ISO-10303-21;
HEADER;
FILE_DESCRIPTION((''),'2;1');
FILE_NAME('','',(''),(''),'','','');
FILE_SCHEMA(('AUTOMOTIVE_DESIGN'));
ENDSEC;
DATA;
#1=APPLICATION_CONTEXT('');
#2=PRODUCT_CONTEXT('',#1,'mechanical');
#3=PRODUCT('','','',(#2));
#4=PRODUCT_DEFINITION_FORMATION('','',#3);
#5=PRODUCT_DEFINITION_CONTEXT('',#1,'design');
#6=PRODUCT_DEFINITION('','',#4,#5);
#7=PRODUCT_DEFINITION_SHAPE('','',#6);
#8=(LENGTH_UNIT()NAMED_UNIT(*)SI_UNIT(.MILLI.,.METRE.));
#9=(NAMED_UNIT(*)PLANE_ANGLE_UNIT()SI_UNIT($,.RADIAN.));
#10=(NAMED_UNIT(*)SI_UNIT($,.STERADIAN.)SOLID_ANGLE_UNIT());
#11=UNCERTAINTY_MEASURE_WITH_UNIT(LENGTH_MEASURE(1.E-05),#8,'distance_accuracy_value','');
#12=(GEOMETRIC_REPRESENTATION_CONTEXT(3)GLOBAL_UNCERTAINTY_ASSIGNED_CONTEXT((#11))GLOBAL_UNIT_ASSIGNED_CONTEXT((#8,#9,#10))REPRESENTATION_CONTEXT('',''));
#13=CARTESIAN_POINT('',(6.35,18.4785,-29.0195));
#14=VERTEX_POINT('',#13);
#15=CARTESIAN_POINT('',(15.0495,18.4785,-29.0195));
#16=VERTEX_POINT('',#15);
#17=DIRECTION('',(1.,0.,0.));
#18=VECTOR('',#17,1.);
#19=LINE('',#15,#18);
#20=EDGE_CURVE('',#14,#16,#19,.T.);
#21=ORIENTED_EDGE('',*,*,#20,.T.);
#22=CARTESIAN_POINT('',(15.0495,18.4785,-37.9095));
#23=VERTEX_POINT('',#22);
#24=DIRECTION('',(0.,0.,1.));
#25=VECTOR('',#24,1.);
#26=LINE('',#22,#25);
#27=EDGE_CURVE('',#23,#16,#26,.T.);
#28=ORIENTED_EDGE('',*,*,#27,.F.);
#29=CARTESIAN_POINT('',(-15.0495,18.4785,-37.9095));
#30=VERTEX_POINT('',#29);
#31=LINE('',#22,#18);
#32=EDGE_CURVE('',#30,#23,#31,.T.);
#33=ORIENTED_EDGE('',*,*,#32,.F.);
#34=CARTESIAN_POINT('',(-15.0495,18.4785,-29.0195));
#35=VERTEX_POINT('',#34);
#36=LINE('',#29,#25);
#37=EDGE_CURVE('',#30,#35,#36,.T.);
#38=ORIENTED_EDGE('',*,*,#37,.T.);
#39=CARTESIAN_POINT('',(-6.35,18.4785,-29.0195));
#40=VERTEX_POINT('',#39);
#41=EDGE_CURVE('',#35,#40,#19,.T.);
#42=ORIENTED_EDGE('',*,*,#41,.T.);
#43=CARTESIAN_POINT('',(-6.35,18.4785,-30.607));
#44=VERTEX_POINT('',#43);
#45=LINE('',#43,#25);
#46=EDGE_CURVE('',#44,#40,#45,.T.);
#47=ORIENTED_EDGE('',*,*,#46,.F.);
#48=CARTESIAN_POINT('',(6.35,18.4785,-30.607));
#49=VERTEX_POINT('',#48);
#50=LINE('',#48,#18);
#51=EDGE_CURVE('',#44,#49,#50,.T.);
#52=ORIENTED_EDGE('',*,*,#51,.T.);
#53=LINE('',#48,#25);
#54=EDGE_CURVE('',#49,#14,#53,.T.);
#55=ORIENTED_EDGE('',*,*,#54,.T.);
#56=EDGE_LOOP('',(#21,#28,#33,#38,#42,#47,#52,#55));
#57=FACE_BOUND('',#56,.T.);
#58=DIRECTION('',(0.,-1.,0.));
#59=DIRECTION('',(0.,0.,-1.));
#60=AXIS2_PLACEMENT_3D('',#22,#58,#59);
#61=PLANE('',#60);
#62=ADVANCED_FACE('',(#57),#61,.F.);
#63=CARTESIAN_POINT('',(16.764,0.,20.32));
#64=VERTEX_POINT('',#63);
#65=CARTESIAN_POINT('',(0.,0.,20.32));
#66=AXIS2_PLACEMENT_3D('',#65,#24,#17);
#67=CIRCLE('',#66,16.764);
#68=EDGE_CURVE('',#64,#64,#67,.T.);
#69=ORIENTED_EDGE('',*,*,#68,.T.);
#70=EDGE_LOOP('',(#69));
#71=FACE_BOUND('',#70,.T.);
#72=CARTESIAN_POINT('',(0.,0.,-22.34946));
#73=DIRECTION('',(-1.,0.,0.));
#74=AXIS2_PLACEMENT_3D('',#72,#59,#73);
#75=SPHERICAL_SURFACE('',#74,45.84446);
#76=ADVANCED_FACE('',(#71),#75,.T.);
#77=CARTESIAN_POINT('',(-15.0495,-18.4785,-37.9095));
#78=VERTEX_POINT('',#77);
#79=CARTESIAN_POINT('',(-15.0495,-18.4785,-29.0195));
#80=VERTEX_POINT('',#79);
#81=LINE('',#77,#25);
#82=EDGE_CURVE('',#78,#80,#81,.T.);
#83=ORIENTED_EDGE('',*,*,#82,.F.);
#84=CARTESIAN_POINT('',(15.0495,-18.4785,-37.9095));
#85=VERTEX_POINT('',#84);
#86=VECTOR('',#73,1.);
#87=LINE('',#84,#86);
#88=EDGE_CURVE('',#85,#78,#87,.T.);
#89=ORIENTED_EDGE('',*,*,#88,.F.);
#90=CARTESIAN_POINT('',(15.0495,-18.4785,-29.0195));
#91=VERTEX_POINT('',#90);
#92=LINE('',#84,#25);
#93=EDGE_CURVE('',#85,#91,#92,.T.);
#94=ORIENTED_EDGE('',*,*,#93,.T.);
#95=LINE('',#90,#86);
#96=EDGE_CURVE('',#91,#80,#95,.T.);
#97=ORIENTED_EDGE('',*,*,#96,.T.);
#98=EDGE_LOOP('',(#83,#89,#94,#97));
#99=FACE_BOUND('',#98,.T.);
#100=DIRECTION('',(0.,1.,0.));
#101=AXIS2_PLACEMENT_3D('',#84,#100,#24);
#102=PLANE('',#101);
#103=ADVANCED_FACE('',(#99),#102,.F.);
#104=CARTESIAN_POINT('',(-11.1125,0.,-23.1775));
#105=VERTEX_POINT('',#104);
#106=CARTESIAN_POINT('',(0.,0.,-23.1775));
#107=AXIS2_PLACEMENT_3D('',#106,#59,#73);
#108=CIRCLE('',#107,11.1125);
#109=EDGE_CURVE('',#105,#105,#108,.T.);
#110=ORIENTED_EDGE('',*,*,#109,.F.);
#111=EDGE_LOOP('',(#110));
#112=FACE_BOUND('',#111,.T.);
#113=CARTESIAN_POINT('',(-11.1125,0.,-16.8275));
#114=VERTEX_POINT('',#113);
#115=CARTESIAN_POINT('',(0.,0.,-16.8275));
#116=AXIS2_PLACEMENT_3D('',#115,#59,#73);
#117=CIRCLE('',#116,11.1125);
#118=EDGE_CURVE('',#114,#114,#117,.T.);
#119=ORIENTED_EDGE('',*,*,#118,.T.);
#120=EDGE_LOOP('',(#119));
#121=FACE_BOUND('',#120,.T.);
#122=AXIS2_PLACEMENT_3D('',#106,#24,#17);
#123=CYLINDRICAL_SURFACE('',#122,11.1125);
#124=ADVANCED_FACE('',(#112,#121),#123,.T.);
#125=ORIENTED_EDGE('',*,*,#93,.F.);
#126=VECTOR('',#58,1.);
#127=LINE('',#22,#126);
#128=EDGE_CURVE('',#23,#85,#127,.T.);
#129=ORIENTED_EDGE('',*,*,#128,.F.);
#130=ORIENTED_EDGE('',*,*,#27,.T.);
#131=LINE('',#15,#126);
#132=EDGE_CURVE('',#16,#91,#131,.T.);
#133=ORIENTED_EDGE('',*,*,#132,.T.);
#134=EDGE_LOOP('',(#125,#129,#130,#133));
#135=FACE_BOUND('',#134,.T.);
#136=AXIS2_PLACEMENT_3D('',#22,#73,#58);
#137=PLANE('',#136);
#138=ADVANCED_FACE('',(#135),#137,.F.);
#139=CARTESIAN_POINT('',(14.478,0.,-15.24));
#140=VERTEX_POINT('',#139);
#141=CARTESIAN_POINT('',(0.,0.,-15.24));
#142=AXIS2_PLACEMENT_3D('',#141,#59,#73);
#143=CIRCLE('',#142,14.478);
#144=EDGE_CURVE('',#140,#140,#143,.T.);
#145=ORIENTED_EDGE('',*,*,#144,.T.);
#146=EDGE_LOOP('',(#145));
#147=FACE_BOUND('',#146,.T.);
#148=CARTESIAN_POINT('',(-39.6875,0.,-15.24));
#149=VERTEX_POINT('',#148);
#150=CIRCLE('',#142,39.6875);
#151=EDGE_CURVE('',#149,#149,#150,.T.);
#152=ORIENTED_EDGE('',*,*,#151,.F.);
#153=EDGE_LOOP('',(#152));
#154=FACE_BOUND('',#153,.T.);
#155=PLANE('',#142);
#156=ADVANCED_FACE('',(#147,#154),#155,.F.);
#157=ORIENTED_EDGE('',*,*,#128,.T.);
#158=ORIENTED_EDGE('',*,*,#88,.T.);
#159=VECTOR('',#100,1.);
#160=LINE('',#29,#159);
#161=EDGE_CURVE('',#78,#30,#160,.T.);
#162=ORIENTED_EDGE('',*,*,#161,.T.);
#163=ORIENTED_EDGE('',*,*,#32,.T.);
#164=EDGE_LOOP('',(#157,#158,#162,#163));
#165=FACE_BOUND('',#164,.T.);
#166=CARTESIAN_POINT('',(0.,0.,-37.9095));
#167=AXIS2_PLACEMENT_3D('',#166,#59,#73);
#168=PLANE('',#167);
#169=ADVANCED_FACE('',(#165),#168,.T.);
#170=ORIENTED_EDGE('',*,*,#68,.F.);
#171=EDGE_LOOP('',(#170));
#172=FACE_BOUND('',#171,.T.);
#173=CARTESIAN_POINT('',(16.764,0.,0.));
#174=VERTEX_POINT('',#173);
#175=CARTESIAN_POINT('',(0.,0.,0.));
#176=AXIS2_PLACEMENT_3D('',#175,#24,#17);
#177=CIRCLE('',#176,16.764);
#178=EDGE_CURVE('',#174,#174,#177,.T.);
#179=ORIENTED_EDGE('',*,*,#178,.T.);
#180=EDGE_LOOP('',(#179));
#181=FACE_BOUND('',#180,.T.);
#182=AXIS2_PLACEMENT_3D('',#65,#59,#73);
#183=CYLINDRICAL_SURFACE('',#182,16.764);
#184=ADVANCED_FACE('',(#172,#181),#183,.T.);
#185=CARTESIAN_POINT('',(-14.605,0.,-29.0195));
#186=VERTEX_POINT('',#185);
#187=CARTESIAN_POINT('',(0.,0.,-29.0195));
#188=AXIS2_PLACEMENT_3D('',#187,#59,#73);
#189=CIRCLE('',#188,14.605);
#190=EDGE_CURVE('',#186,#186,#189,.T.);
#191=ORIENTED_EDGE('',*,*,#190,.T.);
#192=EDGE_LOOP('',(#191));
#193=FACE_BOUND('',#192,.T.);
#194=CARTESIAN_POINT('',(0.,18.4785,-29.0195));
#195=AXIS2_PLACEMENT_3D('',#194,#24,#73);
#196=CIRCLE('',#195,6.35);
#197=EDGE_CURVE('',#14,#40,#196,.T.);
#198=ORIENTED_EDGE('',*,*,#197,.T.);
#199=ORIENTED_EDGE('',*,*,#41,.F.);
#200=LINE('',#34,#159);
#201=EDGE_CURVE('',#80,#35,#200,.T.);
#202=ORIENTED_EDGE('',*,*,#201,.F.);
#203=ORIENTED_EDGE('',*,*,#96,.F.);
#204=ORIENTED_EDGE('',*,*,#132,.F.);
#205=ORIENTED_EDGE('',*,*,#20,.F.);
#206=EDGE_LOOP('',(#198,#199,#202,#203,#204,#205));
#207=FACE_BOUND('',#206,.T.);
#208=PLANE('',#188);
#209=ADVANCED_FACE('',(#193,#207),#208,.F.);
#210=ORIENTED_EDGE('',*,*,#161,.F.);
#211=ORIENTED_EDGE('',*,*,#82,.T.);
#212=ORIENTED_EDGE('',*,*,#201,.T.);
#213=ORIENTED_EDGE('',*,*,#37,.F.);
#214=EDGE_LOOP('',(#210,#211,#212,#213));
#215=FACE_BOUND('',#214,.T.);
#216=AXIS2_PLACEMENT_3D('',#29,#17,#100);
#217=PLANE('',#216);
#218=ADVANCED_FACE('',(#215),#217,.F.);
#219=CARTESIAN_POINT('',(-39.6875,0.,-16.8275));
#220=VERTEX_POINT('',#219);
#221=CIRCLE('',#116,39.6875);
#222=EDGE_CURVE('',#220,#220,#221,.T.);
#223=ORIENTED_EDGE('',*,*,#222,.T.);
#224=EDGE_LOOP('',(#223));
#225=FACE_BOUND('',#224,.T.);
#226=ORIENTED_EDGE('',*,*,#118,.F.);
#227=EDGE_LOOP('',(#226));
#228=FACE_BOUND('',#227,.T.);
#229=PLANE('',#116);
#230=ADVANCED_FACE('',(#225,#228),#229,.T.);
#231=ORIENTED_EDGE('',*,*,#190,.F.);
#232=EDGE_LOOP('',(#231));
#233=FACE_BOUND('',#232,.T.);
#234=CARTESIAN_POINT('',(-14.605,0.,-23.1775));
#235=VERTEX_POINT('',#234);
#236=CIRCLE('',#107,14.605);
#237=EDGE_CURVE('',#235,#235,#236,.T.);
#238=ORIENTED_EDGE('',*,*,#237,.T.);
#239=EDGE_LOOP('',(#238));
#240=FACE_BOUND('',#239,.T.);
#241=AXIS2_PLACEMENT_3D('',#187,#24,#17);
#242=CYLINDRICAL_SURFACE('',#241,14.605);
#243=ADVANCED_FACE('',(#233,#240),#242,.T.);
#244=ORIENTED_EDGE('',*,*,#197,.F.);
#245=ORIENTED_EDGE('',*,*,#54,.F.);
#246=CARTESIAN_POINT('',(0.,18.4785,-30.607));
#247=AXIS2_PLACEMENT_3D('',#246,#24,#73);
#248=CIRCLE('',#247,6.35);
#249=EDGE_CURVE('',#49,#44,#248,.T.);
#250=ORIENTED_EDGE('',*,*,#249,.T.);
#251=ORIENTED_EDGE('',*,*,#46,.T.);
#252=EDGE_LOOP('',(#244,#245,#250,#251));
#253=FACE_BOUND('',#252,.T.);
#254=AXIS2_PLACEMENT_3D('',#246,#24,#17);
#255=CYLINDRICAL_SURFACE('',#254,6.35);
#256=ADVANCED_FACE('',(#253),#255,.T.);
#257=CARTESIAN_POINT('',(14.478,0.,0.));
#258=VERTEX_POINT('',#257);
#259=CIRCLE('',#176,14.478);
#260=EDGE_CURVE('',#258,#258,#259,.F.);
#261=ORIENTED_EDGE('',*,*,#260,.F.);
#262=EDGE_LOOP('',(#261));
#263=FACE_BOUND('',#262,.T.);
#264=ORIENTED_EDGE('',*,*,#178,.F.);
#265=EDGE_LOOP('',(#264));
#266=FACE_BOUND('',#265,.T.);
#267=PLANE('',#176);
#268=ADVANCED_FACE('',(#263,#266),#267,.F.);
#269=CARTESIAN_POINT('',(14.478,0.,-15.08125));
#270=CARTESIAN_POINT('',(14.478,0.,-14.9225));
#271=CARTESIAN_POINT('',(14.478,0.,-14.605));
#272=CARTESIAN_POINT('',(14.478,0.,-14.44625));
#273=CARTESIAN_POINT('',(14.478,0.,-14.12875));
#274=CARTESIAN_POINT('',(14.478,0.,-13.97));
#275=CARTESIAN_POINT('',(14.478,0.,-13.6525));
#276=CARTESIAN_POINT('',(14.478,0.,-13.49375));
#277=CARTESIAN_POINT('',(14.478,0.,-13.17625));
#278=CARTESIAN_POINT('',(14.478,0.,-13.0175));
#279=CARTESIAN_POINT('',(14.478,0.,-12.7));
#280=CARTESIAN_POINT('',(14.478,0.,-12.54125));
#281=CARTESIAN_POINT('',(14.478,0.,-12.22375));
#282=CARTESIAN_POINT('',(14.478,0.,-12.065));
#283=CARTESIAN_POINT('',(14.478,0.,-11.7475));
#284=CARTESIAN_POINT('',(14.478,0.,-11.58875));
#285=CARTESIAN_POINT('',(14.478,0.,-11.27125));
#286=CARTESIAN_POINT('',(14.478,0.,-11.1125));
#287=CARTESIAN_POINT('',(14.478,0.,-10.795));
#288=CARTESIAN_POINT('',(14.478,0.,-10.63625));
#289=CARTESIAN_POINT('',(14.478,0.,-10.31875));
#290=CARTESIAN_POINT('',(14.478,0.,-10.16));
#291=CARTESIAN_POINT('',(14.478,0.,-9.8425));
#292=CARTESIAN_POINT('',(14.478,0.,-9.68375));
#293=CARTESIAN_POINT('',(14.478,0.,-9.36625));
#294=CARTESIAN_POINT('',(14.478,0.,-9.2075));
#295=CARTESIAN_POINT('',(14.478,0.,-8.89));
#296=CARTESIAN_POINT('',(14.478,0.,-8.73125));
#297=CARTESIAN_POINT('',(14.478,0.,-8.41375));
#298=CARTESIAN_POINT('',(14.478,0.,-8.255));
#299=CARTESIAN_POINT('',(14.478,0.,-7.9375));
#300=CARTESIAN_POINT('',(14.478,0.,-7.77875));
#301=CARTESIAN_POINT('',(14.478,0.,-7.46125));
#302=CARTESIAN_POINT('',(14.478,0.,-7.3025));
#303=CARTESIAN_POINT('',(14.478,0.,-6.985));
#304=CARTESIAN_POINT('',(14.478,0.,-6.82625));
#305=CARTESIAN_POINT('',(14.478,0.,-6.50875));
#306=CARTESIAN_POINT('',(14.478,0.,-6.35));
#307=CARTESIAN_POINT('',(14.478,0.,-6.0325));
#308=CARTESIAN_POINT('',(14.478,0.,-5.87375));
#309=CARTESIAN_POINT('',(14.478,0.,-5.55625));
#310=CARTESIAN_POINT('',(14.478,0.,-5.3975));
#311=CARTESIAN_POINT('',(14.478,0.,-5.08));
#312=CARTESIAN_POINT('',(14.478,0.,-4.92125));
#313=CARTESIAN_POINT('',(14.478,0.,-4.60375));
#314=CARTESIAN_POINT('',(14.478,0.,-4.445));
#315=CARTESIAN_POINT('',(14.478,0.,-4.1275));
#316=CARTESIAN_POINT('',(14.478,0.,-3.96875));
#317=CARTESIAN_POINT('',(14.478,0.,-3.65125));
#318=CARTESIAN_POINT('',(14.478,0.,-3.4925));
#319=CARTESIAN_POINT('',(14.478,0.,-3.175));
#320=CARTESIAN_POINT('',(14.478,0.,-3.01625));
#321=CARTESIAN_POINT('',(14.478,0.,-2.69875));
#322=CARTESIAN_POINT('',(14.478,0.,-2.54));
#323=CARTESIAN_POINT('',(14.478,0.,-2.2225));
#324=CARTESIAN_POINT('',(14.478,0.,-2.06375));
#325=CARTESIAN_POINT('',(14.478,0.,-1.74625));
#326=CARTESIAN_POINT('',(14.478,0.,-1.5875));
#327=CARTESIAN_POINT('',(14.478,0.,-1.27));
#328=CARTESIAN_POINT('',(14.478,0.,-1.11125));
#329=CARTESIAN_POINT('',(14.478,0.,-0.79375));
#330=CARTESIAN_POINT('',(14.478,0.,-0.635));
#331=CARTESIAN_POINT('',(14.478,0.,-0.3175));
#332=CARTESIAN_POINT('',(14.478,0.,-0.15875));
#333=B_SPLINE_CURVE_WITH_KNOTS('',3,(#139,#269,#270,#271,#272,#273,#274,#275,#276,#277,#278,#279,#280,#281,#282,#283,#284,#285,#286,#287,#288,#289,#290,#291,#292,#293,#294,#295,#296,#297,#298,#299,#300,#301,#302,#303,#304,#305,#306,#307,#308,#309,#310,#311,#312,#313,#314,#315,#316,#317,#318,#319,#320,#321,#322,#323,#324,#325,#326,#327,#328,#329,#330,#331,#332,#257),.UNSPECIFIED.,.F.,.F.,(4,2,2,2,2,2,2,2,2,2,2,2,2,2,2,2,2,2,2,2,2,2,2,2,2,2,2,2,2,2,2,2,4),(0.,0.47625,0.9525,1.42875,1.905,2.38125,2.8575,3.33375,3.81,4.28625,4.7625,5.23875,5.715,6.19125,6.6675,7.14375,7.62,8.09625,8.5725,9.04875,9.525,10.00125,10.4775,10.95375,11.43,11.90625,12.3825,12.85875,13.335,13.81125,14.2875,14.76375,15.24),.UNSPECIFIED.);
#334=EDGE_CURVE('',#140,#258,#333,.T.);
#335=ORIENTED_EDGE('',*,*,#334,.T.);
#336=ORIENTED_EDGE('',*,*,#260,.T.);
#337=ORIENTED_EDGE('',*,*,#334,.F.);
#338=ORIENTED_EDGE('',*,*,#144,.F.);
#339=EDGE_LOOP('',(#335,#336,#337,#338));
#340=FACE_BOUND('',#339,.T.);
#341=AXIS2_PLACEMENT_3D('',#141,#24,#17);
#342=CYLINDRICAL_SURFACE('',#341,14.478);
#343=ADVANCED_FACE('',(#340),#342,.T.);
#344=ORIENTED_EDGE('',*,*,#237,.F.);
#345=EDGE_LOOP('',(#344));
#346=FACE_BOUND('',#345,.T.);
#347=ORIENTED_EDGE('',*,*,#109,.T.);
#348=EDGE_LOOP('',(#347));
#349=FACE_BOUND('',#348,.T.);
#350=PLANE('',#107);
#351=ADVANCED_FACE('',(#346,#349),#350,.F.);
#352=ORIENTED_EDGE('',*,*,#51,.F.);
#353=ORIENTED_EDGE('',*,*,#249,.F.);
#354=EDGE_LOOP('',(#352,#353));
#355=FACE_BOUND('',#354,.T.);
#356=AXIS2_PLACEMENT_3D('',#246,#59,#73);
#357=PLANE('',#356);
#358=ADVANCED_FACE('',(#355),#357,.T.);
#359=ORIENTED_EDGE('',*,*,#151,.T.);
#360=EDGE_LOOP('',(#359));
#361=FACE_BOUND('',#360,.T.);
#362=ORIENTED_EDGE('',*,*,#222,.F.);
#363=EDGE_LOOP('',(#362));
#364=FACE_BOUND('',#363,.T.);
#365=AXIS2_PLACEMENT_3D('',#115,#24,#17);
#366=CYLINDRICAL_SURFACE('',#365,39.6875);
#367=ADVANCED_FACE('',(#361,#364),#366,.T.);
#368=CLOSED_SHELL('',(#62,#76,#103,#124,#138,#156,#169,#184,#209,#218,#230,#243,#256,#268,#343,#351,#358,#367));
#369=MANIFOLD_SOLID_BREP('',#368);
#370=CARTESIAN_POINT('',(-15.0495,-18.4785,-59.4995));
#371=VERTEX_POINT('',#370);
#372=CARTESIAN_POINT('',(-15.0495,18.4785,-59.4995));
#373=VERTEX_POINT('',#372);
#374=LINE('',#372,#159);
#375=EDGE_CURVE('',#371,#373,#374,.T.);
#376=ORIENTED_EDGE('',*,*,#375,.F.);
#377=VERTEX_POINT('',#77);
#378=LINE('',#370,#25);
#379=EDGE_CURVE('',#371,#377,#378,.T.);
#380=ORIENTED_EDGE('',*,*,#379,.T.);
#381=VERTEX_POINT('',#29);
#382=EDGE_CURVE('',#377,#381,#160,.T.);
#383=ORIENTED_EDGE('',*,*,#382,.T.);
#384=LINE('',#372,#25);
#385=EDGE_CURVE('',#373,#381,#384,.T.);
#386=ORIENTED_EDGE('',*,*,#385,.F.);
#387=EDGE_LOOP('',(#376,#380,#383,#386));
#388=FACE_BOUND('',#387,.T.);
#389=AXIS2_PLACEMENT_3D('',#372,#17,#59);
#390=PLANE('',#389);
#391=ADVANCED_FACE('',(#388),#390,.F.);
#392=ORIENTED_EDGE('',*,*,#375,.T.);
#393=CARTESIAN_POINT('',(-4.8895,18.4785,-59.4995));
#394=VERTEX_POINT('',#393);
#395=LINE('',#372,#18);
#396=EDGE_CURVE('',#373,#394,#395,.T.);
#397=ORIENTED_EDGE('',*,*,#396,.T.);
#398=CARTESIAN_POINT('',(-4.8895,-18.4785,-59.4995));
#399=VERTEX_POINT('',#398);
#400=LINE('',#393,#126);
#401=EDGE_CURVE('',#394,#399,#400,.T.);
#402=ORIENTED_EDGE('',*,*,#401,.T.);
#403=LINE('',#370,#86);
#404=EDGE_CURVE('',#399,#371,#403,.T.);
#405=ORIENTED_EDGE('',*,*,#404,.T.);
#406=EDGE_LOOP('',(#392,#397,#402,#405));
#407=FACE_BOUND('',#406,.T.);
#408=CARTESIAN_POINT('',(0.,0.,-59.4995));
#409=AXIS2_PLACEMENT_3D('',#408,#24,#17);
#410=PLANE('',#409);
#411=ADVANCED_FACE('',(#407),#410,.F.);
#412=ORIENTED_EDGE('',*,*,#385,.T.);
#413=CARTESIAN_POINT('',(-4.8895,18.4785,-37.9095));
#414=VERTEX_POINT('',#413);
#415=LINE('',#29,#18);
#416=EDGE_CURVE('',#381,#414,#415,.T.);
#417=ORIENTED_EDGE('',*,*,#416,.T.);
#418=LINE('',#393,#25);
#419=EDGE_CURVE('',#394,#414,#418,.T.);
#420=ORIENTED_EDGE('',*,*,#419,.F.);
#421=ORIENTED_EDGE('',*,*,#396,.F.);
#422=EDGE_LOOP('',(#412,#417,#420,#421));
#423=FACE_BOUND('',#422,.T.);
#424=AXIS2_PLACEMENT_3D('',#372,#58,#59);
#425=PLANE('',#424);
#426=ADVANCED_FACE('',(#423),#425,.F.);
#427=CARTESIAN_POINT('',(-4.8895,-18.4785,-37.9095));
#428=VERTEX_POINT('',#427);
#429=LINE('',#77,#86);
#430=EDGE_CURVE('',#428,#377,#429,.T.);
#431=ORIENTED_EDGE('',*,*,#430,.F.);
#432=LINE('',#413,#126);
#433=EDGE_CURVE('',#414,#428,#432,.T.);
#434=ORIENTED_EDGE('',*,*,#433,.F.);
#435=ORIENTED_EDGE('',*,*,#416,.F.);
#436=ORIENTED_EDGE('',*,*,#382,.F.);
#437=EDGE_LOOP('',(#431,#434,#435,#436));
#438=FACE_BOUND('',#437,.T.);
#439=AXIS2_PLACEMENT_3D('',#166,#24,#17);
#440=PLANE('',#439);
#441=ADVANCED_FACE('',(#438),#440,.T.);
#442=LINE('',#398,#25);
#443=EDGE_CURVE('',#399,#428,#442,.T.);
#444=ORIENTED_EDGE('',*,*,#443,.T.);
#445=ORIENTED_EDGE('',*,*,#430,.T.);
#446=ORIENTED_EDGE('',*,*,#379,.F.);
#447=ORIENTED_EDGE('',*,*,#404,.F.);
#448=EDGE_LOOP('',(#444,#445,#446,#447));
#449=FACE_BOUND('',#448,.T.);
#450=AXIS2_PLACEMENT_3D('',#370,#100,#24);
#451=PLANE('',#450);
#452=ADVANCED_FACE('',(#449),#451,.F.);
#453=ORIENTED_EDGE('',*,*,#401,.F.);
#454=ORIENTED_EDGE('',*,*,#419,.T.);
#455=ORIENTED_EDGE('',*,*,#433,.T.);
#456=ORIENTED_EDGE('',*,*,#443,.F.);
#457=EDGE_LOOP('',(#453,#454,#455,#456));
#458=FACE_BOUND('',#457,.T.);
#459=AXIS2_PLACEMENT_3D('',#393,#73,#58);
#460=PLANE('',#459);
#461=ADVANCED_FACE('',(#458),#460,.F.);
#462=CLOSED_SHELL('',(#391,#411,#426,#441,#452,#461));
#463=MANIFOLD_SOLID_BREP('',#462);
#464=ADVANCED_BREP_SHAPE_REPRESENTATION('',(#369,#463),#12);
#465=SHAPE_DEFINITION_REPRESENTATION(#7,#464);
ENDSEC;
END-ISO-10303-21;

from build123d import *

# Parameters (mm, degrees)
SKETCH1_R           = 16.764
BOSS_EXTRUDE1_DEPTH = 20.32
SKETCH3_R           = 14.478
BOSS_EXTRUDE2_DEPTH = 15.24
SKETCH5_R           = 39.6875
BOSS_EXTRUDE4_DEPTH = 1.5875
SKETCH6_R           = 11.1125
BOSS_EXTRUDE5_DEPTH = 6.35
SKETCH7_R           = 14.605
BOSS_EXTRUDE6_DEPTH = 5.842
SKETCH8_W           = 30.099
SKETCH8_H           = 36.957
BOSS_EXTRUDE7_DEPTH = 8.89
BOSS_EXTRUDE8_DEPTH = 1.5875
SKETCH10_W          = 10.16
SKETCH10_H          = 36.957
BOSS_EXTRUDE9_DEPTH = 21.59


with BuildPart() as part:
    # Sketch1 → Boss-Extrude1 (new body)
    with BuildSketch(Plane.XY):
        Circle(SKETCH1_R)
    extrude(amount=BOSS_EXTRUDE1_DEPTH)

    # Sketch2 → Revolve1 (revolve)
    with BuildSketch(Plane(origin=(0, 0, 0), x_dir=(1, 0, 0), z_dir=(0, 1, 0)), mode=Mode.PRIVATE) as revolve1_sk:
        with BuildLine():
            Line((0, -20.32), (16.764, -20.32))
            ThreePointArc((16.764, -20.32), (8.531006989, -22.694256903), (0, -23.495))
            Line((0, -23.495), (0, -20.32))
        make_face()
    revolve(revolve1_sk.sketch.rotate(Axis((0, 0, 17.056334056), (0, 0, 1)), 180), axis=Axis((0, 0, 17.056334056), (0, 0, 1)))

    # Sketch3 → Boss-Extrude2 (add)
    with BuildSketch(Plane(origin=(0, 0, 0), x_dir=(-1, 0, 0), z_dir=(0, 0, -1))):
        with Locations(Location((0, 0, 0), (0, 0, 180))):
            Circle(SKETCH3_R)
    extrude(amount=BOSS_EXTRUDE2_DEPTH)

    # Sketch5 → Boss-Extrude4 (add)
    with BuildSketch(Plane(origin=(0, 0, -15.24), x_dir=(-1, 0, 0), z_dir=(0, 0, -1))):
        Circle(SKETCH5_R)
    extrude(amount=BOSS_EXTRUDE4_DEPTH)

    # Sketch6 → Boss-Extrude5 (add)
    with BuildSketch(Plane(origin=(0, 0, -16.8275), x_dir=(-1, 0, 0), z_dir=(0, 0, -1))):
        Circle(SKETCH6_R)
    extrude(amount=BOSS_EXTRUDE5_DEPTH)

    # Sketch7 → Boss-Extrude6 (add)
    with BuildSketch(Plane(origin=(0, 0, -23.1775), x_dir=(-1, 0, 0), z_dir=(0, 0, -1))):
        Circle(SKETCH7_R)
    extrude(amount=BOSS_EXTRUDE6_DEPTH)

    # Sketch8 → Boss-Extrude7 (add)
    with BuildSketch(Plane(origin=(0, 0, -29.0195), x_dir=(-1, 0, 0), z_dir=(0, 0, -1))):
        Rectangle(SKETCH8_W, SKETCH8_H)
    extrude(amount=BOSS_EXTRUDE7_DEPTH)

    # Sketch9 → Boss-Extrude8 (add)
    with BuildSketch(Plane.XY.offset(-29.0195)):
        with BuildLine():
            Line((6.35, 18.4785), (-6.35, 18.4785))
            ThreePointArc((-6.35, 18.4785), (0, 24.8285), (6.35, 18.4785))
        make_face()
    extrude(amount=-BOSS_EXTRUDE8_DEPTH)


with BuildPart() as body_2:
    # Sketch10 → Boss-Extrude9 (new body)
    with BuildSketch(Plane(origin=(0, 0, -37.9095), x_dir=(-1, 0, 0), z_dir=(0, 0, -1))):
        with Locations((9.9695, 0)):
            Rectangle(SKETCH10_W, SKETCH10_H)
    extrude(amount=BOSS_EXTRUDE9_DEPTH)


solid = Compound([part.part, body_2.part])
